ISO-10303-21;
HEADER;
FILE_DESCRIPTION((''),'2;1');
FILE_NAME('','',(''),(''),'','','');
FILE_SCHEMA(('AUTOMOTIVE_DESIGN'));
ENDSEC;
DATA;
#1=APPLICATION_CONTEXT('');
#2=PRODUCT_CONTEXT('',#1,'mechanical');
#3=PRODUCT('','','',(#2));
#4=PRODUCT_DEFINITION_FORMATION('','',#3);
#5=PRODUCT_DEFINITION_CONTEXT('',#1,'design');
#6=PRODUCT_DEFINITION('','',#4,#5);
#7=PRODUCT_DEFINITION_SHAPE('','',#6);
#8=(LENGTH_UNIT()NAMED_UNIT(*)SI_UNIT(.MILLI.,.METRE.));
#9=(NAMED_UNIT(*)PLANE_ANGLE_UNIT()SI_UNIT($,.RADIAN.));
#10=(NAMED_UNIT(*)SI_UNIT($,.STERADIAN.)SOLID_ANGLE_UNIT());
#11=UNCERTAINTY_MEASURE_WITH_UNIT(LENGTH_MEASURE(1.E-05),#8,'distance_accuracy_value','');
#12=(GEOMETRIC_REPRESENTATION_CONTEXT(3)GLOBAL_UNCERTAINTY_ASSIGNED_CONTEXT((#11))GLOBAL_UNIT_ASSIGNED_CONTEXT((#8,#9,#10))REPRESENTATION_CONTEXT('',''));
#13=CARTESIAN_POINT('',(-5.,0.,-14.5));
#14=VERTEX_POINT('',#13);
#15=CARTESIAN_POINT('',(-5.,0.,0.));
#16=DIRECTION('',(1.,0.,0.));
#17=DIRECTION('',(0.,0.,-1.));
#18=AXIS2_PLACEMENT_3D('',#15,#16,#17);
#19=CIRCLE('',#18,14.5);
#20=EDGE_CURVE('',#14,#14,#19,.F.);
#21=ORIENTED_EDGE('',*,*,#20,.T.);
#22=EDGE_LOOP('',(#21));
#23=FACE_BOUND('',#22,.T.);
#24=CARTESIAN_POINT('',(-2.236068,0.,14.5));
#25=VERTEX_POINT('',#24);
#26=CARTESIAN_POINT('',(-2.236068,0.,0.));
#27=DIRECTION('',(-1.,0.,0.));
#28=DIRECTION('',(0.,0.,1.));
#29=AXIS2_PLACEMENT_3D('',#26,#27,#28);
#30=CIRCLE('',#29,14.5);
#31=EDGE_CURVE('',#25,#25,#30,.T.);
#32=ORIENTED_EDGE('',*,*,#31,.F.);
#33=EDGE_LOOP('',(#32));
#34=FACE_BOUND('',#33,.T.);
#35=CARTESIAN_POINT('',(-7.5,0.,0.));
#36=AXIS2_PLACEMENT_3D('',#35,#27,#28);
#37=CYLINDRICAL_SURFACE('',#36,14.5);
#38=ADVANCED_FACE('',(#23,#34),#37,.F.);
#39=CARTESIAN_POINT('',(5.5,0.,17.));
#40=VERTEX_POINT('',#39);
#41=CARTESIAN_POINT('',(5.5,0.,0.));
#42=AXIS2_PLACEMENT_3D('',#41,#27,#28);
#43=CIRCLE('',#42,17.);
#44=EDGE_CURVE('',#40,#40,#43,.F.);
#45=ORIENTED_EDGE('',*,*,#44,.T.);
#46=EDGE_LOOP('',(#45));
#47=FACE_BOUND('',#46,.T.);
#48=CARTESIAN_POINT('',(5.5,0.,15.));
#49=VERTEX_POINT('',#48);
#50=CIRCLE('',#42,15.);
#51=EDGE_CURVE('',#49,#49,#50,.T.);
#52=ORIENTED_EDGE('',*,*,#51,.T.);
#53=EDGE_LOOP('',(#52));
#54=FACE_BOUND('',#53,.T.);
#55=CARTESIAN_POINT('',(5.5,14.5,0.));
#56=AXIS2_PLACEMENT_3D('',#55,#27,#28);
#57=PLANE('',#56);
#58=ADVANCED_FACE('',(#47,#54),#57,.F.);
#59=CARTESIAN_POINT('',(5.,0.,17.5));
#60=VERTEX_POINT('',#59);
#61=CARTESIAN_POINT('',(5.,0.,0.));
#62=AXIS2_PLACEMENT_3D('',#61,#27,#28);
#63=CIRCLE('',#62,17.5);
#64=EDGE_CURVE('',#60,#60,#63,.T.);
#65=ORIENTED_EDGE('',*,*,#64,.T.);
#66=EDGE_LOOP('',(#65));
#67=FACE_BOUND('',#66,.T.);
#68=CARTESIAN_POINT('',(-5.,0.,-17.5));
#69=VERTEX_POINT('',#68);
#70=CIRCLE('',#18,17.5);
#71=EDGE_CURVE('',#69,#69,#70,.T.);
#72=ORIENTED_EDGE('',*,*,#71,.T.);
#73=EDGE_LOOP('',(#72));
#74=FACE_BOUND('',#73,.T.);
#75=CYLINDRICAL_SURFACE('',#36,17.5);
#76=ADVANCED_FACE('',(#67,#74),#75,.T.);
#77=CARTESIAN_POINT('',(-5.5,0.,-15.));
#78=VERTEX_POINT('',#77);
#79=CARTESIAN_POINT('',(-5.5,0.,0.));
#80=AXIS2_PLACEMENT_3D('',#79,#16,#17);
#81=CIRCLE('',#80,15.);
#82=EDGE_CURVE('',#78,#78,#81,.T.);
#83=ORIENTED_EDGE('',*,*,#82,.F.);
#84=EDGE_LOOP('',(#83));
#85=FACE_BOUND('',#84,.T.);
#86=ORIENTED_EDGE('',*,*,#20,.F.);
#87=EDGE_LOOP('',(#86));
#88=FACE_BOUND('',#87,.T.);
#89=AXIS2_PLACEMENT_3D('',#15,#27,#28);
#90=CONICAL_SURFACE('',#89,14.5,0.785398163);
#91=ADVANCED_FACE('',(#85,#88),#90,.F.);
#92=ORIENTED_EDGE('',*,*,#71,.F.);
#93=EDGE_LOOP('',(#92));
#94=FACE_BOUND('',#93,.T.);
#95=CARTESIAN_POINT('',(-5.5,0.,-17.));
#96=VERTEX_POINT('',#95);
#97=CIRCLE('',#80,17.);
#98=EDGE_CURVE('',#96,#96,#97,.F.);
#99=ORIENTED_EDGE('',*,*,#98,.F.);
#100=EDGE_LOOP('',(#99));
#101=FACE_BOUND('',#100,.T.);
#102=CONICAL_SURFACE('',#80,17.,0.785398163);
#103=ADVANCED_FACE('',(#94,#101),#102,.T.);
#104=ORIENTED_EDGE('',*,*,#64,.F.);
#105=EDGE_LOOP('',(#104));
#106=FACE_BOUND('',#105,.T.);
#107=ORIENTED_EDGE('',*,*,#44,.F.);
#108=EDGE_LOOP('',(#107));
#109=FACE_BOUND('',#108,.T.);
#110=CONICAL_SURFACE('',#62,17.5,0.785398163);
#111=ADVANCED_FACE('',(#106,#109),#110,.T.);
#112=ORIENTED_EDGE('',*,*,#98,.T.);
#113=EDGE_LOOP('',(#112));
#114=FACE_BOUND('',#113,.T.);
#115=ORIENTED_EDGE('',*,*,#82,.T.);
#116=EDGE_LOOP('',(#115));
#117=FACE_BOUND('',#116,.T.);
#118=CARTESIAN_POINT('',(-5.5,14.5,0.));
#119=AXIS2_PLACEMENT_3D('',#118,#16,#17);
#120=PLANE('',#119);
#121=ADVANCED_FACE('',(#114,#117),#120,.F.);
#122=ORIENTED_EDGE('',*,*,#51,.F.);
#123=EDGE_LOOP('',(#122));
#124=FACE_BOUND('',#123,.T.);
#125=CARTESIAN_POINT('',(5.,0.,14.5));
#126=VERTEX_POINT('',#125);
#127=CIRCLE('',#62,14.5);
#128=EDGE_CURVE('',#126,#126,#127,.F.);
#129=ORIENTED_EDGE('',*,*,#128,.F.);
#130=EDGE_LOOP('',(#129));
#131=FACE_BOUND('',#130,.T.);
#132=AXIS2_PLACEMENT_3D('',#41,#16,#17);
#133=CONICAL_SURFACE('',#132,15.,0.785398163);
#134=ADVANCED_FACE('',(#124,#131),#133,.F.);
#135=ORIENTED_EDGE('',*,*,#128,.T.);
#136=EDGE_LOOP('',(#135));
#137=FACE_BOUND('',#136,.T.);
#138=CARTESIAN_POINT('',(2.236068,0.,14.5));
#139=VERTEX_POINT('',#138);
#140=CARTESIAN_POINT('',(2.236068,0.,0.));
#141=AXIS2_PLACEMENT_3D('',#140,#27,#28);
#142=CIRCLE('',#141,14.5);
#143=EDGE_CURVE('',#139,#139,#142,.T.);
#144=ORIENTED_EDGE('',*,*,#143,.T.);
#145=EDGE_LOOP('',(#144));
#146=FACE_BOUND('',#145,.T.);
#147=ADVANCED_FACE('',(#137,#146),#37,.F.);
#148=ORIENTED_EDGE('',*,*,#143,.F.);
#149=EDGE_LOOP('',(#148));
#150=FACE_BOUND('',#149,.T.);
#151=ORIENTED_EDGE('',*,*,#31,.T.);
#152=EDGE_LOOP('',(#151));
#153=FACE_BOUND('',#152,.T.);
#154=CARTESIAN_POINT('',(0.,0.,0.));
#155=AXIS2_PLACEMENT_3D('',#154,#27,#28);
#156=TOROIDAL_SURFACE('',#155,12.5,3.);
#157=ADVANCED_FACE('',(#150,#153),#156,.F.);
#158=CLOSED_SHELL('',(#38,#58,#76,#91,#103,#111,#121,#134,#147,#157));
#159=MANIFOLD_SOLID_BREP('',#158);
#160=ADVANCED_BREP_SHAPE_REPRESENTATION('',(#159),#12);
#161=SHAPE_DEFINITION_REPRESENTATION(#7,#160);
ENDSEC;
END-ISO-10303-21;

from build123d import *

# Parameters (mm, degrees)
CHAMFER1_SIZE = 0.5
CHAMFER2_SIZE = 0.5


with BuildPart() as part:
    # Sketch1 → Revolve1 (revolve)
    with BuildSketch(Plane.XY, mode=Mode.PRIVATE) as revolve1_sk:
        with BuildLine():
            Line((5.5, 14.5), (2.236067977, 14.5))
            ThreePointArc((2.236067977, 14.5), (0, 15.5), (-2.236067977, 14.5))
            Line((-2.236067977, 14.5), (-5.5, 14.5))
            Line((-5.5, 14.5), (-5.5, 17.5))
            Line((-5.5, 17.5), (5.5, 17.5))
            Line((5.5, 17.5), (5.5, 14.5))
        make_face()
    revolve(revolve1_sk.sketch.rotate(Axis((-7.5, 0, 0), (1, 0, 0)), 90), axis=Axis((-7.5, 0, 0), (1, 0, 0)))

    # Chamfer1
    chamfer1_edges = [part.edges().sort_by_distance(p)[0] for p in [
        (5.5, 0, -17.5),
        (-5.5, 0, -17.5),
    ]]
    chamfer(chamfer1_edges, length=CHAMFER1_SIZE)

    # Chamfer2
    chamfer2_edges = [part.edges().sort_by_distance(p)[0] for p in [
        (-5.5, 0, -14.5),
        (5.5, 0, -14.5),
    ]]
    chamfer(chamfer2_edges, length=CHAMFER2_SIZE)


solid = part.part
